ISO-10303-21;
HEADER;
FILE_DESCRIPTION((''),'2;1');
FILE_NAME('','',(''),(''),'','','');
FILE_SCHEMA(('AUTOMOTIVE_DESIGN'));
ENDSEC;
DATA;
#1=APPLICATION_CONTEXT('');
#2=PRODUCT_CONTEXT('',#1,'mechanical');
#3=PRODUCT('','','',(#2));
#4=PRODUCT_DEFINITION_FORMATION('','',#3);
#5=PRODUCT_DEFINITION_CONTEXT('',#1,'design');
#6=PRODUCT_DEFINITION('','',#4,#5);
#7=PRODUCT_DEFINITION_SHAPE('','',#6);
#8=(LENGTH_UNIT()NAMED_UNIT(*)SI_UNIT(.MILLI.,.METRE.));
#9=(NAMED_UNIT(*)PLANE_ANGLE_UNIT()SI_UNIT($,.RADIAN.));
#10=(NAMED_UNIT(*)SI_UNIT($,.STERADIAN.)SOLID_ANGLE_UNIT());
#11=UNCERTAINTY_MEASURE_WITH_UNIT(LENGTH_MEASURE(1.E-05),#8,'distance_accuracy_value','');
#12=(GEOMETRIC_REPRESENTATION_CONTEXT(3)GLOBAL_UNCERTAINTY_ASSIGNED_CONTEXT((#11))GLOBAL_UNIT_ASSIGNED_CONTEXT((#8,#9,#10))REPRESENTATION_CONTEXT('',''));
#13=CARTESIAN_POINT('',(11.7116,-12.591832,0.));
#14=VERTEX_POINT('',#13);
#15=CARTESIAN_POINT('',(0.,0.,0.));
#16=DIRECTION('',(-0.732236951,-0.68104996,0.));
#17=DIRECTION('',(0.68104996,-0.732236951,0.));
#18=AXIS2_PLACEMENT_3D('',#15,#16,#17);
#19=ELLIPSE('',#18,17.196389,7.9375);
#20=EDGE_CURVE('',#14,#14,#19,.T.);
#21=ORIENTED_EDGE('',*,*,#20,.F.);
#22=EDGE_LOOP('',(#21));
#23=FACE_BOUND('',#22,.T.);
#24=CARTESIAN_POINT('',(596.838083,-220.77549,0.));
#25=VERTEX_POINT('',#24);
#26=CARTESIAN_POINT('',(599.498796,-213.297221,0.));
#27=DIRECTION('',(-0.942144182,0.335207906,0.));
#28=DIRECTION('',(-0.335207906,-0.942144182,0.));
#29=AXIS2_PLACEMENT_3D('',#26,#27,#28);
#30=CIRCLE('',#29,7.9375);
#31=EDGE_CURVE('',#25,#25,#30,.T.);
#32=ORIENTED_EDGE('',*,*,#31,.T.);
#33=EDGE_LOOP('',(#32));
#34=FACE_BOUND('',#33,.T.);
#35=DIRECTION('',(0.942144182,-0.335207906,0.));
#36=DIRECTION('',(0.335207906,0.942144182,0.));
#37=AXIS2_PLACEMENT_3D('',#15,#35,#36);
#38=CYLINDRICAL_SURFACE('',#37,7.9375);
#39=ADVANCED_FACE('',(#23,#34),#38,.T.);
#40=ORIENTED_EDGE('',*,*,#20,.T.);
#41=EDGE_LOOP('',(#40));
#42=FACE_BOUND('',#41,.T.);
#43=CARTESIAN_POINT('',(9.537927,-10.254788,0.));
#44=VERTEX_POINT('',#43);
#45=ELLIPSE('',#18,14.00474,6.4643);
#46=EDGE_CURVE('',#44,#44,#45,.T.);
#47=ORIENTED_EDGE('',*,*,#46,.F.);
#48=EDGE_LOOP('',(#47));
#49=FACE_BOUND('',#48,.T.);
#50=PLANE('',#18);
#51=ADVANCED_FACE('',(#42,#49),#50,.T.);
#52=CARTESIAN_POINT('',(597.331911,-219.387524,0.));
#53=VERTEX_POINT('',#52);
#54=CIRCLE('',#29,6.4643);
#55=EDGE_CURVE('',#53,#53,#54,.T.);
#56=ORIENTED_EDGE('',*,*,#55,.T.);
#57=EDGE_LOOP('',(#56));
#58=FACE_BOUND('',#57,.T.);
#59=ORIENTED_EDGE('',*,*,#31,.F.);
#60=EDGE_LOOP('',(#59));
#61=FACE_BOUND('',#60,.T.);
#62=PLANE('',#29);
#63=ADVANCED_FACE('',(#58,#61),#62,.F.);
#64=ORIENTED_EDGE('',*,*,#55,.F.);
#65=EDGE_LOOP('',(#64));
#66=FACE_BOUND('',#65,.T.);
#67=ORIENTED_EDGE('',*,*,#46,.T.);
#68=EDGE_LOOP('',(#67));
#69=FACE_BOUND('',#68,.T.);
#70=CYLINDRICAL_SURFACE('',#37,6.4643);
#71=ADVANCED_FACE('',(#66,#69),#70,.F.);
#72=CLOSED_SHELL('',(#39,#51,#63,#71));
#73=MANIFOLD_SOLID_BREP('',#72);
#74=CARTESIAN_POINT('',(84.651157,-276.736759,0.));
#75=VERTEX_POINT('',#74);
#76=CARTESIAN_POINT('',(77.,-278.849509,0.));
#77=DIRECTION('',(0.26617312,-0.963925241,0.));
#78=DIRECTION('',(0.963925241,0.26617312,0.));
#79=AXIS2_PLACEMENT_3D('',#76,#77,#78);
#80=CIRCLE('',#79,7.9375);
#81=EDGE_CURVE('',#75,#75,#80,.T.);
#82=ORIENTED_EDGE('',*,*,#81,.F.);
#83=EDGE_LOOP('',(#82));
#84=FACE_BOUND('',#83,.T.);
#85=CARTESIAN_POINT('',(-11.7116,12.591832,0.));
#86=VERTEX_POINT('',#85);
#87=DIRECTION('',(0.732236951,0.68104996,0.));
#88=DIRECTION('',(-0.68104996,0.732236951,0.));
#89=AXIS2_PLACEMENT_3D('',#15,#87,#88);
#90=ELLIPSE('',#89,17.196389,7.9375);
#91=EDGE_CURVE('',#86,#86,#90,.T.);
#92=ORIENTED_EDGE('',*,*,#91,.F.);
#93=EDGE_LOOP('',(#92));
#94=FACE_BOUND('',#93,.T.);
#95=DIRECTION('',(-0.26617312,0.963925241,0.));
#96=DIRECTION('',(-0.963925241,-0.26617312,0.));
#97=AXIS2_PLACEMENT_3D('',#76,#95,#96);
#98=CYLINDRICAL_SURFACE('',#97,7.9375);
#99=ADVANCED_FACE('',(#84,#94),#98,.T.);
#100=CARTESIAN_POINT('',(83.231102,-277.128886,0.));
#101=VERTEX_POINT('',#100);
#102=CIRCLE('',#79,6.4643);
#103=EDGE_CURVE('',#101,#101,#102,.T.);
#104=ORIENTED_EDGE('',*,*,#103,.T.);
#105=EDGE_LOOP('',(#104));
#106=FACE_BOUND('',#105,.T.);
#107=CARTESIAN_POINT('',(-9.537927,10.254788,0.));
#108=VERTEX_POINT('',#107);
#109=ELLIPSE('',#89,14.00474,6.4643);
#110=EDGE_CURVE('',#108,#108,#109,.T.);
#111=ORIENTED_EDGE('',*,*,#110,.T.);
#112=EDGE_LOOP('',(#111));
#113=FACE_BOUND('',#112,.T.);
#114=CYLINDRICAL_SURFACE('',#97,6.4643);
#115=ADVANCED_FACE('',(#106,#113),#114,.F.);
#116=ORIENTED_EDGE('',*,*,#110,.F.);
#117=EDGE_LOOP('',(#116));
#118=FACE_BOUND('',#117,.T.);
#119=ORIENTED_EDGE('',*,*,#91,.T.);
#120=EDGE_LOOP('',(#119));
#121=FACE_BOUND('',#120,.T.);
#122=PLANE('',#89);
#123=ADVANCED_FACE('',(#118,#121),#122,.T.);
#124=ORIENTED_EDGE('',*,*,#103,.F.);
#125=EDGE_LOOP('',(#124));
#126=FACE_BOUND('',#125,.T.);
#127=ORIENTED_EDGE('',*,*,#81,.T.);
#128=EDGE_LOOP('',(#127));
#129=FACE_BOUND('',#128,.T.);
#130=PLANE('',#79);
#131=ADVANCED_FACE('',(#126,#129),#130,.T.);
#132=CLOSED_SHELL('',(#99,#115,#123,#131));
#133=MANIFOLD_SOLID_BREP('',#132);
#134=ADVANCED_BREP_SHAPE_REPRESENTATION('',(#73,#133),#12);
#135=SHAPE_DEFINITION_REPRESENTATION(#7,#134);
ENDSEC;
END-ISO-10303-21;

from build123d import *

# Parameters (mm, degrees)
SKETCH11_ON_SEGMENT_1_R         = 7.9375
SKETCH11_ON_SEGMENT_1_R_2       = 6.4643
STRUCTURAL_MEMBER1_DEPTH        = 658.886900495
SKETCH11_R                      = 7.9375
SKETCH11_R_2                    = 6.4643
STRUCTURAL_MEMBER1_2_DEPTH      = 289.285409962
STRUCTURAL_MEMBER1_2_DEPTH_BACK = 22.573683103


with BuildPart() as part:
    # Sketch11 on segment 1 (carried to segment 1) → Structural Member1 (new body)
    with BuildSketch(Plane(origin=(599.498795794, -213.29722096, 0), x_dir=(-0.335207906, -0.942144182, 0), z_dir=(-0.942144182, 0.335207906, 0))):
        Circle(SKETCH11_ON_SEGMENT_1_R)
        Circle(SKETCH11_ON_SEGMENT_1_R_2, mode=Mode.SUBTRACT)
    extrude(amount=STRUCTURAL_MEMBER1_DEPTH)

    # Structural Member1 mitre 1
    split(bisect_by=Plane(origin=(0, 0, 0), x_dir=(-0.68104996, 0.732236951, 0), z_dir=(0.732236951, 0.68104996, 0)), keep=Keep.TOP)


with BuildPart() as body_2:
    # Sketch11 → Structural Member1 2 (new, two sides)
    with BuildSketch(Plane(origin=(0, 0, 0), x_dir=(0.9639252411090171, 0.2661731195160835, 0), z_dir=(0.2661731195160835, -0.9639252411090171, 0))) as structural_member1_2_sk:
        Circle(SKETCH11_R)
        Circle(SKETCH11_R_2, mode=Mode.SUBTRACT)
    extrude(amount=STRUCTURAL_MEMBER1_2_DEPTH)
    extrude(structural_member1_2_sk.sketch, amount=-STRUCTURAL_MEMBER1_2_DEPTH_BACK)

    # Structural Member1 2 mitre 1
    split(bisect_by=Plane(origin=(0, 0, 0), x_dir=(0.68104996, -0.732236951, 0), z_dir=(-0.732236951, -0.68104996, 0)), keep=Keep.TOP)


solid = Compound([part.part, body_2.part])
